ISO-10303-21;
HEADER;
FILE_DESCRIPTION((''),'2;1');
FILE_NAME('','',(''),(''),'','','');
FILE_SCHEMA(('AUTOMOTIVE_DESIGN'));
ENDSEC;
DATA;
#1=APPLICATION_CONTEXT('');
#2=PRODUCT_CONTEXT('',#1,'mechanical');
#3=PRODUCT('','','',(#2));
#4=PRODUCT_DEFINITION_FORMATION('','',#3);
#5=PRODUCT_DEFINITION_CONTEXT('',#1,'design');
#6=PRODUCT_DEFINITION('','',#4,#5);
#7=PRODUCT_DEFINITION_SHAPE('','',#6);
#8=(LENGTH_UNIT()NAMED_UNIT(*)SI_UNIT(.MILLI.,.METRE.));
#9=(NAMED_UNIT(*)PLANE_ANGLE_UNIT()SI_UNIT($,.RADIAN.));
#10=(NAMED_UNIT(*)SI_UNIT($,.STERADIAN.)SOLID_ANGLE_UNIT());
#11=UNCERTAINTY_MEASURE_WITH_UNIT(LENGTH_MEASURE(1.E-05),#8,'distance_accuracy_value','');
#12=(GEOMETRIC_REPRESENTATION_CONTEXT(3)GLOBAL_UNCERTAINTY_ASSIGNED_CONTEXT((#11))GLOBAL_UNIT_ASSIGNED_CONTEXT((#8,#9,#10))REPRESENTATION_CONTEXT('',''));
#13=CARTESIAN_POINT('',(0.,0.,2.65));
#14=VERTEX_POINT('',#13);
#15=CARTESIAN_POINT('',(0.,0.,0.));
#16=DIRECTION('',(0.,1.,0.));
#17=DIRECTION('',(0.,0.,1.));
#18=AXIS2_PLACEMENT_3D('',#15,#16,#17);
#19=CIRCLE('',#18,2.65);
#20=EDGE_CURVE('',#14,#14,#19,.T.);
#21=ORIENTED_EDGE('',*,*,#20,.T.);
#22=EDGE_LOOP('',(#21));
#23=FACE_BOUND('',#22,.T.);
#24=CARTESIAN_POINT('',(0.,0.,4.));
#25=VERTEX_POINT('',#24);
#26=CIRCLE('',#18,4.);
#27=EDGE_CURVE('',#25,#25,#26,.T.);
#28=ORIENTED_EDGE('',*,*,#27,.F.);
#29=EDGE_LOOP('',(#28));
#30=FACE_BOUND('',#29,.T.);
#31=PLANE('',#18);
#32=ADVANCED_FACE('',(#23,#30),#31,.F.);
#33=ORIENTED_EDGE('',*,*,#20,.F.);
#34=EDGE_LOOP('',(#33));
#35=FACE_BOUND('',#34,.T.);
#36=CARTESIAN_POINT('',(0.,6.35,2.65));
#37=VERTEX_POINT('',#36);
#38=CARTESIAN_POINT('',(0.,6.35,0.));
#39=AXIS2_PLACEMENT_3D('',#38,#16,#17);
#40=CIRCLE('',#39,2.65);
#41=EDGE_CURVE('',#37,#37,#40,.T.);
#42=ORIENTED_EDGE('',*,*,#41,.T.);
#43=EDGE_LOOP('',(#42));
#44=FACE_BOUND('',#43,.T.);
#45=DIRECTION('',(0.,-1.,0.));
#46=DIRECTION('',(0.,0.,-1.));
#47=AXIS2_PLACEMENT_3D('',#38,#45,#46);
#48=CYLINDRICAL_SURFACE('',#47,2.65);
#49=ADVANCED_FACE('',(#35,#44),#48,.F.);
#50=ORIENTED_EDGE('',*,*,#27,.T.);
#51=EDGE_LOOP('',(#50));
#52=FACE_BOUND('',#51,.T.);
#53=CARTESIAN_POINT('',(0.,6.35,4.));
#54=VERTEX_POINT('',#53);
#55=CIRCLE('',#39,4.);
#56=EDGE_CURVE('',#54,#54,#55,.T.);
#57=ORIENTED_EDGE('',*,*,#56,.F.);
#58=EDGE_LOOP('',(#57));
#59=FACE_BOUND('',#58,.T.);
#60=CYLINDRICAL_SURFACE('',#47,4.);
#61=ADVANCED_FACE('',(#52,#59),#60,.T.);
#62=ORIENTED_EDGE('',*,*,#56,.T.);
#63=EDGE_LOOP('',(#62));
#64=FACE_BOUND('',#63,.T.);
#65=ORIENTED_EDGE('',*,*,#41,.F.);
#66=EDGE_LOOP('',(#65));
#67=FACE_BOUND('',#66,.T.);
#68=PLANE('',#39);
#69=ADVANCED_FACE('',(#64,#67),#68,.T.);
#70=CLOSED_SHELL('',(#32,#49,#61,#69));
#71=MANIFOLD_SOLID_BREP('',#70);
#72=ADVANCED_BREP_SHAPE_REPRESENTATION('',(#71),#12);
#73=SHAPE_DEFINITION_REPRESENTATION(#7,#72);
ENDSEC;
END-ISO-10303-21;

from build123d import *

# Parameters (mm, degrees)
CROQUIS1_R              = 4
CROQUIS1_R_2            = 2.65
SALIENTE_EXTRUIR1_DEPTH = 6.35


with BuildPart() as part:
    # Croquis1 → Saliente-Extruir1 (new body)
    with BuildSketch(Plane(origin=(0, 0, 0), x_dir=(1, 0, 0), z_dir=(0, 1, 0))):
        Circle(CROQUIS1_R)
        Circle(CROQUIS1_R_2, mode=Mode.SUBTRACT)
    extrude(amount=SALIENTE_EXTRUIR1_DEPTH)


solid = part.part
